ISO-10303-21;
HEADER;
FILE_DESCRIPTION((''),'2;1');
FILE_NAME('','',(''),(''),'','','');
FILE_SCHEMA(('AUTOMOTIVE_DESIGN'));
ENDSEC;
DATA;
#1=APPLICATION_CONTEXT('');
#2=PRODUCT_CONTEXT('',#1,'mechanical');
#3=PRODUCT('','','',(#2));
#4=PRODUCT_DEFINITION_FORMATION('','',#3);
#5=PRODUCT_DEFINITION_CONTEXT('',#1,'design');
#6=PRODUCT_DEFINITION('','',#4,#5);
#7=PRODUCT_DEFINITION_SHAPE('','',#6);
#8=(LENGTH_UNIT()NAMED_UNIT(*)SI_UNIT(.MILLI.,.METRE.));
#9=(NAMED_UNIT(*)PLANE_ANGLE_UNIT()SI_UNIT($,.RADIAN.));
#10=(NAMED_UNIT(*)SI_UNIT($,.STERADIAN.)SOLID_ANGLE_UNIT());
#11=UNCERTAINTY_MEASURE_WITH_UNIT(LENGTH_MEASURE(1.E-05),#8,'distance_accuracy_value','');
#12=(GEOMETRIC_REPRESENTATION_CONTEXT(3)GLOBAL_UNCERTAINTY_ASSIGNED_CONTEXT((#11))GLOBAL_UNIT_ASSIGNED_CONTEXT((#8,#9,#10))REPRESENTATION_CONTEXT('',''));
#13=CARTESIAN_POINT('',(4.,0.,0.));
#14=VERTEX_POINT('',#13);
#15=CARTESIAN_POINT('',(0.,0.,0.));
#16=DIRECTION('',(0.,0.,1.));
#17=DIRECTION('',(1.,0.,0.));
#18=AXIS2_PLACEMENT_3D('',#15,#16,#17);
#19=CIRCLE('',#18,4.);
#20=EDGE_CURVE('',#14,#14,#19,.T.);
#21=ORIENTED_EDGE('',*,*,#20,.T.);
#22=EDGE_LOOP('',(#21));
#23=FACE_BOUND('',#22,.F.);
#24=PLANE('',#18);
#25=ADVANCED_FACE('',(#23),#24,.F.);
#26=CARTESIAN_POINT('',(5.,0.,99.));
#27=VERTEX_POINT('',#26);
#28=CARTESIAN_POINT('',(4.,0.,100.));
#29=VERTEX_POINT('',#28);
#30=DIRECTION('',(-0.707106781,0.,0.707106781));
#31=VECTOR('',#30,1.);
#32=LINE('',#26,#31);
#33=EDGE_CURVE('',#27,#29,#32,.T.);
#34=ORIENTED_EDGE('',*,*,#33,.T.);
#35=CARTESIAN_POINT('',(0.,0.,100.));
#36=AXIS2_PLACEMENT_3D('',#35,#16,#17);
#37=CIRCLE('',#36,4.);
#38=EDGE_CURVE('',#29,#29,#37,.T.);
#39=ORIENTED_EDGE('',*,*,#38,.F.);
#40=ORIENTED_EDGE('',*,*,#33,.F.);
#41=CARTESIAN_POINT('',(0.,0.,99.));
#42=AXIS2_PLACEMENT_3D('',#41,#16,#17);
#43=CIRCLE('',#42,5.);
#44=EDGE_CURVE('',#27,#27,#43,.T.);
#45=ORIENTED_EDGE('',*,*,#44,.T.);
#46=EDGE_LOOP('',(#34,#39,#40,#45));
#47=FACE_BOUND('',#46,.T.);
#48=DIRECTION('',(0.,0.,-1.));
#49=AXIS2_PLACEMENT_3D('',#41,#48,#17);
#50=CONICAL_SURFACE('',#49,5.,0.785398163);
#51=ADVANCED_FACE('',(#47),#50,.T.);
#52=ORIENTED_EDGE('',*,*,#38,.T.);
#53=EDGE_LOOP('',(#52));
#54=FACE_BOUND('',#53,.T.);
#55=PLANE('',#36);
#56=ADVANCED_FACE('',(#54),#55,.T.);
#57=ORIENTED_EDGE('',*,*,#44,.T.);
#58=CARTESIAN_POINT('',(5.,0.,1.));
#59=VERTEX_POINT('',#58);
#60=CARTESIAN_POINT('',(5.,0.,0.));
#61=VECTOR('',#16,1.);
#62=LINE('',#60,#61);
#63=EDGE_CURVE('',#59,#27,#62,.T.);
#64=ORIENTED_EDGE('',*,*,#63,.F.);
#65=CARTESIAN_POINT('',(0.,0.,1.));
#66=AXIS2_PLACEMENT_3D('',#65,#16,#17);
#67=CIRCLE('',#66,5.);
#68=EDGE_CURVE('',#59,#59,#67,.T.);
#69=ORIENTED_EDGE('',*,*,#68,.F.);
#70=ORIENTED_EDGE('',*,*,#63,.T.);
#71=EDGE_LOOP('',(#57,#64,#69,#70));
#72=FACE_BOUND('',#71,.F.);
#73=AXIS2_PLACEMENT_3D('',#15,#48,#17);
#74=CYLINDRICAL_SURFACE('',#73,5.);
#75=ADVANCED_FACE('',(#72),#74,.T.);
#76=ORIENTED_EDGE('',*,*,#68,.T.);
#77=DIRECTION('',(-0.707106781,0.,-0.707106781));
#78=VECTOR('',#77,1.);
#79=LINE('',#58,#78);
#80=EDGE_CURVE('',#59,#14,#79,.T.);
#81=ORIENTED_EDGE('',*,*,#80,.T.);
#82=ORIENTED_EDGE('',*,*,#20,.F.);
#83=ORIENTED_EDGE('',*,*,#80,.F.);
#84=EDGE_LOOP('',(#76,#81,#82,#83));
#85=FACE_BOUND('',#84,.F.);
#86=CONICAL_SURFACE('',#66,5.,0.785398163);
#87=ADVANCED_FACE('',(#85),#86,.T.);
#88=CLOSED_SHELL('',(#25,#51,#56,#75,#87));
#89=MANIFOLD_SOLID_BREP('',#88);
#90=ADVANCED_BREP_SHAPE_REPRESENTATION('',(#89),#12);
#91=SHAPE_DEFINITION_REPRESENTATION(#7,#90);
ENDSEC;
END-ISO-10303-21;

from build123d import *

# Parameters (mm, degrees)
SKETCH1_R           = 5
BOSS_EXTRUDE1_DEPTH = 100
CHAMFER1_SIZE       = 1


with BuildPart() as part:
    # Sketch1 → Boss-Extrude1 (new body)
    with BuildSketch(Plane.XY):
        Circle(SKETCH1_R)
    extrude(amount=BOSS_EXTRUDE1_DEPTH)

    # Chamfer1
    chamfer1_edges = [part.edges().sort_by_distance(p)[0] for p in [
        (-5, 0, 0),
        (-5, 0, 100),
    ]]
    chamfer(chamfer1_edges, length=CHAMFER1_SIZE)


solid = part.part
